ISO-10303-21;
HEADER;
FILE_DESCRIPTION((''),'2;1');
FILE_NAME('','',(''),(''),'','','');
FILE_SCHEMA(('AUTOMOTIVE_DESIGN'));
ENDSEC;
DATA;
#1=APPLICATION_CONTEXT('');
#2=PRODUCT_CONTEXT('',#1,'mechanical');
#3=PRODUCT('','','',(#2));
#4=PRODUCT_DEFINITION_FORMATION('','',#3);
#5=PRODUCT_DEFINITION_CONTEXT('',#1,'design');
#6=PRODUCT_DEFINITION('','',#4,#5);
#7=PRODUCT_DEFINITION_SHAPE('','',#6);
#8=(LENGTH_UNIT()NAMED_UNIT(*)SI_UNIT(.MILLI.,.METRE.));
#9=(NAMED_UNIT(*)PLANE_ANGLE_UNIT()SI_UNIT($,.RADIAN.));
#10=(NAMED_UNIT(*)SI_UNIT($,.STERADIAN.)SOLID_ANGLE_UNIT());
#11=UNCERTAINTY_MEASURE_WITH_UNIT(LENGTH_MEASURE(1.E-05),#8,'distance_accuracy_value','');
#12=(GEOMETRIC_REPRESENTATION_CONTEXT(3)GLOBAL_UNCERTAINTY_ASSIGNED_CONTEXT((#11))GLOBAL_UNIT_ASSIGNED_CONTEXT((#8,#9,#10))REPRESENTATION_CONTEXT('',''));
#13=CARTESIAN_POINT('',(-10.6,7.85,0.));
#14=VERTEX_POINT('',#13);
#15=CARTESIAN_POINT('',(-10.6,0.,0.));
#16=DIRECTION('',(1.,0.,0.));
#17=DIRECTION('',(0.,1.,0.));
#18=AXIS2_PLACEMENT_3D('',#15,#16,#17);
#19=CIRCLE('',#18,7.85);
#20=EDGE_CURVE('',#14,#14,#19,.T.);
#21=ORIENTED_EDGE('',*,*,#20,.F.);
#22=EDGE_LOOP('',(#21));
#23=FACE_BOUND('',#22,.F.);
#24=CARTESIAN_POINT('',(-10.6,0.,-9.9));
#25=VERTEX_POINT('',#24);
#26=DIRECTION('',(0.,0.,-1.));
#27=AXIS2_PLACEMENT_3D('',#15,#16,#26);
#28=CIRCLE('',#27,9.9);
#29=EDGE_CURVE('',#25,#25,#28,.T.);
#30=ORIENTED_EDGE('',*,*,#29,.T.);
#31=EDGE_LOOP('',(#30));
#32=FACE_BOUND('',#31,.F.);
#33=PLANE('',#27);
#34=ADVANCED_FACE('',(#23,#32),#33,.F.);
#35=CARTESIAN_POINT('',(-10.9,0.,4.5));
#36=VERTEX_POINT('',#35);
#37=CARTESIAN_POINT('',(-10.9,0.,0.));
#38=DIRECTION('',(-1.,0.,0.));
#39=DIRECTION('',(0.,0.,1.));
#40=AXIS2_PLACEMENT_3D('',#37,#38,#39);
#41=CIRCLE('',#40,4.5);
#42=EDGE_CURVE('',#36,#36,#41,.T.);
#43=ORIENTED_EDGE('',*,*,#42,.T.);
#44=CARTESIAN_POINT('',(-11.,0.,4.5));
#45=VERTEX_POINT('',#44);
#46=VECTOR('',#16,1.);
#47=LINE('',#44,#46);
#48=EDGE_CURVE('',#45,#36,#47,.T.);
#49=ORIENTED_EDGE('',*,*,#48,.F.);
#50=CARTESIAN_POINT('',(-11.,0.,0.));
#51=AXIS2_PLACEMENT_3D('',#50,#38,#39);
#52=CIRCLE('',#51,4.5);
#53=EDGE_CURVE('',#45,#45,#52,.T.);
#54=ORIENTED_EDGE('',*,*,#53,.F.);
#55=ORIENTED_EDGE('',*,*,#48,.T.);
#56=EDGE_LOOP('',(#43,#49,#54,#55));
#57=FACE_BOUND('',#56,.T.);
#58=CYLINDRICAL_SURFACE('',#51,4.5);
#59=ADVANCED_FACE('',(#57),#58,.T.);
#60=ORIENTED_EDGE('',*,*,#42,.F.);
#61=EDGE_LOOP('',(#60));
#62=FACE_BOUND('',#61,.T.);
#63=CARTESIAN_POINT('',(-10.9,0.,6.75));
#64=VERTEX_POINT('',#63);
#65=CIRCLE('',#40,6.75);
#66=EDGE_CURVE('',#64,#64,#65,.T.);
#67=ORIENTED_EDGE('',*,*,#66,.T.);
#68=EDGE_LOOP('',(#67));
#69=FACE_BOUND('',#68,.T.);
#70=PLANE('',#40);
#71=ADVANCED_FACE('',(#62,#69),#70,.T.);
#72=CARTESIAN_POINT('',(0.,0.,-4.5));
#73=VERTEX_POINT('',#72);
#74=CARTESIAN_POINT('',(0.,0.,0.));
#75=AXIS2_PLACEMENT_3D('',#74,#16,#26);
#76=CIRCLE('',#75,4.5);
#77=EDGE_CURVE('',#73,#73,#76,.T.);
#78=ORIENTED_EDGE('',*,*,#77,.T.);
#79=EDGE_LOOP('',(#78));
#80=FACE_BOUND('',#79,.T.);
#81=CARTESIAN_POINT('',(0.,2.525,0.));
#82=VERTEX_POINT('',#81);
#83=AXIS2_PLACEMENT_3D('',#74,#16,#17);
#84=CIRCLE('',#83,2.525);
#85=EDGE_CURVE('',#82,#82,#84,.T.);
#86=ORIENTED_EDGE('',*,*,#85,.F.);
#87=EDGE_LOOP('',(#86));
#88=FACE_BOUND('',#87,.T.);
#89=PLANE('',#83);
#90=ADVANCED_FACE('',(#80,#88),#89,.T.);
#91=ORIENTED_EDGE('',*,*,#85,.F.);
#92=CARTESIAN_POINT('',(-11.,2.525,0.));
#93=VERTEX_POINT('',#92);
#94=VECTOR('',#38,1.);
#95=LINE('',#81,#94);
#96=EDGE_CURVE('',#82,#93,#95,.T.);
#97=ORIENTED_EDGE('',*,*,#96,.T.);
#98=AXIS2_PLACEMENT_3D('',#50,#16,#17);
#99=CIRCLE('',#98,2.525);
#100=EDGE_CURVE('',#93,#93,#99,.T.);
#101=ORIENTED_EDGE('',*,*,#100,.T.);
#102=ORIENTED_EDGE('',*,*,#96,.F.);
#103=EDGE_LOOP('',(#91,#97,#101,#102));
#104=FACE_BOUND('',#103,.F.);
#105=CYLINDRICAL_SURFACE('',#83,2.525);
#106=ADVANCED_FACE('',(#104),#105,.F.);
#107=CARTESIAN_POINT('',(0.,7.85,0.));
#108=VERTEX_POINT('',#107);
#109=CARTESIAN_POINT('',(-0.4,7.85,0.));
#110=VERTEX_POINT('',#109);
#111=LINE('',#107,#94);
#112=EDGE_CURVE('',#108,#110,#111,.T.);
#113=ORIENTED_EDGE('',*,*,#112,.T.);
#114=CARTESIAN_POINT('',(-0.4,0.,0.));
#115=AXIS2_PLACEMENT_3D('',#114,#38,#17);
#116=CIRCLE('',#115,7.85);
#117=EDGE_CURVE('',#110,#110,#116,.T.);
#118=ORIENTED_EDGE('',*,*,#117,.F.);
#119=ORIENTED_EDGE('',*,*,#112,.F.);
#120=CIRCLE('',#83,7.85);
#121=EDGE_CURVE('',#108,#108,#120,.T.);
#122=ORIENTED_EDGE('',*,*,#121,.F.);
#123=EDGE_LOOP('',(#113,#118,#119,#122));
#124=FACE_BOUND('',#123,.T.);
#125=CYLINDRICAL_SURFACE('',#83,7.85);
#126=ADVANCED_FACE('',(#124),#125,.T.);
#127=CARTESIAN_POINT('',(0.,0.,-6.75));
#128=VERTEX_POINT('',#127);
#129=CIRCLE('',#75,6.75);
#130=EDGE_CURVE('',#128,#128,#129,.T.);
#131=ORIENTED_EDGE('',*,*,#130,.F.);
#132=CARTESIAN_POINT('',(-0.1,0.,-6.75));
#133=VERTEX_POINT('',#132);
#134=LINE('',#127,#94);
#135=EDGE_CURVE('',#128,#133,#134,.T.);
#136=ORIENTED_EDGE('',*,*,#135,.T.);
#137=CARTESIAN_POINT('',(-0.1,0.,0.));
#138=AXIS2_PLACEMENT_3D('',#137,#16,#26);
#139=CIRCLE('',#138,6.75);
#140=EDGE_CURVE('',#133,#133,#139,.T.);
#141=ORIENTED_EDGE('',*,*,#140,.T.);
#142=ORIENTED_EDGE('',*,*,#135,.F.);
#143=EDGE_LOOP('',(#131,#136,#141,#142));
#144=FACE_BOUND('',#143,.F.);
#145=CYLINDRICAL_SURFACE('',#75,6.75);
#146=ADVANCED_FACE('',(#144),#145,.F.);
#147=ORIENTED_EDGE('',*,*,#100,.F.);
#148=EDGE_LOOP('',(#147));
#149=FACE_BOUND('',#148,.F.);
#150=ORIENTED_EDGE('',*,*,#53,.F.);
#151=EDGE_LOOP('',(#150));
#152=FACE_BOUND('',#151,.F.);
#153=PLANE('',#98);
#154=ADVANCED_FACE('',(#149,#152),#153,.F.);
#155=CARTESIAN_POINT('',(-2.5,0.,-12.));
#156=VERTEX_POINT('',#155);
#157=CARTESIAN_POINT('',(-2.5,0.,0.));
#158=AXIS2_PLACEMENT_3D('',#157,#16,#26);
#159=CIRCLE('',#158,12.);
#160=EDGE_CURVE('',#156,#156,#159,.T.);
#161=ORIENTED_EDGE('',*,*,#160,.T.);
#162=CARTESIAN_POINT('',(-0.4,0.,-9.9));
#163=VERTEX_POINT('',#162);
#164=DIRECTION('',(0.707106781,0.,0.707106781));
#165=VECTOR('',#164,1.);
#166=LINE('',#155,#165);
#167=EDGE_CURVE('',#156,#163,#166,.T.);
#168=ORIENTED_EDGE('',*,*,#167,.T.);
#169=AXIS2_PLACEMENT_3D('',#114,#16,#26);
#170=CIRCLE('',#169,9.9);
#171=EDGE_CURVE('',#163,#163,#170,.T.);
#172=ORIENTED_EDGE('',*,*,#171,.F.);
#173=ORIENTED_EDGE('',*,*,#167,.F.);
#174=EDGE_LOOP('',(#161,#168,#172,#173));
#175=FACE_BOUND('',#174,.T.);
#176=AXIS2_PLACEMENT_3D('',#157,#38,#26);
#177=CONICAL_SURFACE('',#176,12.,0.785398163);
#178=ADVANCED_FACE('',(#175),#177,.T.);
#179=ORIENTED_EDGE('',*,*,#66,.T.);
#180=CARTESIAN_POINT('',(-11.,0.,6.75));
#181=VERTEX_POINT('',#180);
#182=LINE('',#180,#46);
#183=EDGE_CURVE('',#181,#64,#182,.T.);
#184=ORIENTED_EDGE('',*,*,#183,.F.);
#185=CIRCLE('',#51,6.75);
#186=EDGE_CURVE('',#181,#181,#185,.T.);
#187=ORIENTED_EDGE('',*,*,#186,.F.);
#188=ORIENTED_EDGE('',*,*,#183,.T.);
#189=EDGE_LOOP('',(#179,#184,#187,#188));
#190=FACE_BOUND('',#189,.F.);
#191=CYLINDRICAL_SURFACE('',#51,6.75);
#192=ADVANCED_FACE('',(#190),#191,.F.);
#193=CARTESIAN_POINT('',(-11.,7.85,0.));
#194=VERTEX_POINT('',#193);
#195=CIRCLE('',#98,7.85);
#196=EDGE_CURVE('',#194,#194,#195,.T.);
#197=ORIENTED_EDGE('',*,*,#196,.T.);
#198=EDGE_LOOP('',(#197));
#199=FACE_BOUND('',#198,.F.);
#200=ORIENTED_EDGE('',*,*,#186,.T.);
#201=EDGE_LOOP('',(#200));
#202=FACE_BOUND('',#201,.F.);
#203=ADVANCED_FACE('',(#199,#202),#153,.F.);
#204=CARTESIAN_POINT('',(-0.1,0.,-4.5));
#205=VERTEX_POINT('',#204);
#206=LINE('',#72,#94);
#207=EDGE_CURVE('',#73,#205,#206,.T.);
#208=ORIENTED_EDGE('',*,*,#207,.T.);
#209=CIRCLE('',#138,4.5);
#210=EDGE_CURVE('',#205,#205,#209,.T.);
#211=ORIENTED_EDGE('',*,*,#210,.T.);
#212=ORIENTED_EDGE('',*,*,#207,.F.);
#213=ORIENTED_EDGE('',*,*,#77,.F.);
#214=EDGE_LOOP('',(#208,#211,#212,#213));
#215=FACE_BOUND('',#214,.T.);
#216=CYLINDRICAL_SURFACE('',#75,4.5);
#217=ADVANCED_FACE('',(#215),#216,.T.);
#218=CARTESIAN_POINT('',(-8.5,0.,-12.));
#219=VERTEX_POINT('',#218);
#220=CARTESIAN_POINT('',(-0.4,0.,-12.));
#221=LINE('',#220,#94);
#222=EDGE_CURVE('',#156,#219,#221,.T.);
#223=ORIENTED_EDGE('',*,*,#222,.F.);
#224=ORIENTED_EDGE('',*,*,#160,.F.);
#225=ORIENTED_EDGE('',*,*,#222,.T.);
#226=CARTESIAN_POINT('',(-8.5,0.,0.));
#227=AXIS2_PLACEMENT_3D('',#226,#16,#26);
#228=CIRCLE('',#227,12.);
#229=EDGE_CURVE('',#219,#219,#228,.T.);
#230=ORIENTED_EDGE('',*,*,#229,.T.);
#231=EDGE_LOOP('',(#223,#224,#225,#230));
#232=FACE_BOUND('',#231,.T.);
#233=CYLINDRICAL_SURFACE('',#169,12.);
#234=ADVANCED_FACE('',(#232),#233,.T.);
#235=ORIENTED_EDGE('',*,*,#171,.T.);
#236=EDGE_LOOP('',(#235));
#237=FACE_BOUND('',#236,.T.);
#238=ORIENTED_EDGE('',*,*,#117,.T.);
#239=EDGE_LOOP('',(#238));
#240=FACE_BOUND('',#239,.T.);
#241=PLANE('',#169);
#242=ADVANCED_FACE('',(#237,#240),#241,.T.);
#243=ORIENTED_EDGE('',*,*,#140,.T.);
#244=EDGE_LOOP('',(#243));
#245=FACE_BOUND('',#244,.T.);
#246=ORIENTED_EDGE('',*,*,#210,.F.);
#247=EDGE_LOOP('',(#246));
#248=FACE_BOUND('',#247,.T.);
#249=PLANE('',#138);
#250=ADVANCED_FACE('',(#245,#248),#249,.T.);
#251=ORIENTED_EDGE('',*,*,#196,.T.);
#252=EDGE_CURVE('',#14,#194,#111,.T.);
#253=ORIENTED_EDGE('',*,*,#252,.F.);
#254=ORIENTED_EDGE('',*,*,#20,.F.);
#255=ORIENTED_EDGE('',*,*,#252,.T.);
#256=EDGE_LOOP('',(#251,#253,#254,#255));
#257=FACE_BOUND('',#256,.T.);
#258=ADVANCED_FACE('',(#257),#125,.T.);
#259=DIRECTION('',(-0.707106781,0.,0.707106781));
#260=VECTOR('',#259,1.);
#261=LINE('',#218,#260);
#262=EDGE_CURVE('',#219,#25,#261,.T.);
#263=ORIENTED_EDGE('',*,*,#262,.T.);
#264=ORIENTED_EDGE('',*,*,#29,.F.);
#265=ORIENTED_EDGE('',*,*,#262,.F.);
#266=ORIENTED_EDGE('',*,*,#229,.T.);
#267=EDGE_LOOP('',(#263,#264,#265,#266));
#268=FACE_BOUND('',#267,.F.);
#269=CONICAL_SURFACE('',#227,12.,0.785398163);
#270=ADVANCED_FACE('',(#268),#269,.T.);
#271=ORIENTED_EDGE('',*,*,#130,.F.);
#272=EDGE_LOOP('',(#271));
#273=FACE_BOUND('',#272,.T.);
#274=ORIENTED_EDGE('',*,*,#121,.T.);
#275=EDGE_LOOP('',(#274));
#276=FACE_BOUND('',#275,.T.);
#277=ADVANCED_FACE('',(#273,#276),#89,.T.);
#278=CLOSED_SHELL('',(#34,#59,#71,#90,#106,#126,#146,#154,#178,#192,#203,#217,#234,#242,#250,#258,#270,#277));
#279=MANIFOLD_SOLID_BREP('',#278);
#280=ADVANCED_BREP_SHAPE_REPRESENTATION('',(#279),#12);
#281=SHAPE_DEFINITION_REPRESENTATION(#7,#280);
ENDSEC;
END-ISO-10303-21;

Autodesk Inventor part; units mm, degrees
ref_plane "YZ Plane" through (0, 0, 0) normal (1, 0, 0) x (0, 1, 0)
ref_plane "XZ Plane" through (0, 0, 0) normal (0, 1, 0) x (-1, 0, 0)
sketch "Sketch1" plane through (0, 0, 0) normal (1, 0, 0) x (0, 1, 0)
  circle A0 centre (0, 0) radius 2.525
  circle A1 centre (0, 0) radius 7.85
  dimension "d0" = 5.05
  dimension "d1" = 15.7
extrude "Extrusion1" add sketch "Sketch1" against normal blind 11
sketch "Sketch2" plane through (0, 0, 0) normal (1, 0, 0) x (0, 0, -1)
  circle A0 centre (0, 0) radius 4.5
  circle A1 centre (0, 0) radius 6.75
  dimension "d4" = 9
  dimension "d5" = 13.5
extrude "Extrusion2" cut sketch "Sketch2" against normal blind 0.1
sketch "Sketch3" plane through (-11, 0, 0) normal (-1, 0, 0) x (0, 0, 1)
  circle A0 centre (0, 0) radius 6.75 projected
  circle A1 centre (0, 0) radius 4.5 projected
extrude "Extrusion3" cut sketch "Sketch3" against normal blind 0.1
ref_plane "Work Plane1" through (-0.4, 0, 0) normal (1, 0, 0) x (0, 0, -1)
sketch "Sketch4" plane through (-0.4, 0, 0) normal (1, 0, 0) x (0, 0, -1)
  circle A0 centre (0, 0) radius 7.85 projected
  circle A1 centre (0, 0) radius 12
  dimension "d11" = 24
extrude "Extrusion4" add sketch "Sketch4" against normal blind 10.2
chamfer "Chamfer1" distance 2.1 angle 45 1 edges at (-0.4, 0, 12) measured on face at (-0.4, -1.2727, -10.4814)
chamfer "Chamfer2" distance 2.1 angle 45 1 edges at (-10.6, 0, 12) measured on face at (-10.6, -1.2727, -10.4814)
properties part number "M5 V Wheel"
